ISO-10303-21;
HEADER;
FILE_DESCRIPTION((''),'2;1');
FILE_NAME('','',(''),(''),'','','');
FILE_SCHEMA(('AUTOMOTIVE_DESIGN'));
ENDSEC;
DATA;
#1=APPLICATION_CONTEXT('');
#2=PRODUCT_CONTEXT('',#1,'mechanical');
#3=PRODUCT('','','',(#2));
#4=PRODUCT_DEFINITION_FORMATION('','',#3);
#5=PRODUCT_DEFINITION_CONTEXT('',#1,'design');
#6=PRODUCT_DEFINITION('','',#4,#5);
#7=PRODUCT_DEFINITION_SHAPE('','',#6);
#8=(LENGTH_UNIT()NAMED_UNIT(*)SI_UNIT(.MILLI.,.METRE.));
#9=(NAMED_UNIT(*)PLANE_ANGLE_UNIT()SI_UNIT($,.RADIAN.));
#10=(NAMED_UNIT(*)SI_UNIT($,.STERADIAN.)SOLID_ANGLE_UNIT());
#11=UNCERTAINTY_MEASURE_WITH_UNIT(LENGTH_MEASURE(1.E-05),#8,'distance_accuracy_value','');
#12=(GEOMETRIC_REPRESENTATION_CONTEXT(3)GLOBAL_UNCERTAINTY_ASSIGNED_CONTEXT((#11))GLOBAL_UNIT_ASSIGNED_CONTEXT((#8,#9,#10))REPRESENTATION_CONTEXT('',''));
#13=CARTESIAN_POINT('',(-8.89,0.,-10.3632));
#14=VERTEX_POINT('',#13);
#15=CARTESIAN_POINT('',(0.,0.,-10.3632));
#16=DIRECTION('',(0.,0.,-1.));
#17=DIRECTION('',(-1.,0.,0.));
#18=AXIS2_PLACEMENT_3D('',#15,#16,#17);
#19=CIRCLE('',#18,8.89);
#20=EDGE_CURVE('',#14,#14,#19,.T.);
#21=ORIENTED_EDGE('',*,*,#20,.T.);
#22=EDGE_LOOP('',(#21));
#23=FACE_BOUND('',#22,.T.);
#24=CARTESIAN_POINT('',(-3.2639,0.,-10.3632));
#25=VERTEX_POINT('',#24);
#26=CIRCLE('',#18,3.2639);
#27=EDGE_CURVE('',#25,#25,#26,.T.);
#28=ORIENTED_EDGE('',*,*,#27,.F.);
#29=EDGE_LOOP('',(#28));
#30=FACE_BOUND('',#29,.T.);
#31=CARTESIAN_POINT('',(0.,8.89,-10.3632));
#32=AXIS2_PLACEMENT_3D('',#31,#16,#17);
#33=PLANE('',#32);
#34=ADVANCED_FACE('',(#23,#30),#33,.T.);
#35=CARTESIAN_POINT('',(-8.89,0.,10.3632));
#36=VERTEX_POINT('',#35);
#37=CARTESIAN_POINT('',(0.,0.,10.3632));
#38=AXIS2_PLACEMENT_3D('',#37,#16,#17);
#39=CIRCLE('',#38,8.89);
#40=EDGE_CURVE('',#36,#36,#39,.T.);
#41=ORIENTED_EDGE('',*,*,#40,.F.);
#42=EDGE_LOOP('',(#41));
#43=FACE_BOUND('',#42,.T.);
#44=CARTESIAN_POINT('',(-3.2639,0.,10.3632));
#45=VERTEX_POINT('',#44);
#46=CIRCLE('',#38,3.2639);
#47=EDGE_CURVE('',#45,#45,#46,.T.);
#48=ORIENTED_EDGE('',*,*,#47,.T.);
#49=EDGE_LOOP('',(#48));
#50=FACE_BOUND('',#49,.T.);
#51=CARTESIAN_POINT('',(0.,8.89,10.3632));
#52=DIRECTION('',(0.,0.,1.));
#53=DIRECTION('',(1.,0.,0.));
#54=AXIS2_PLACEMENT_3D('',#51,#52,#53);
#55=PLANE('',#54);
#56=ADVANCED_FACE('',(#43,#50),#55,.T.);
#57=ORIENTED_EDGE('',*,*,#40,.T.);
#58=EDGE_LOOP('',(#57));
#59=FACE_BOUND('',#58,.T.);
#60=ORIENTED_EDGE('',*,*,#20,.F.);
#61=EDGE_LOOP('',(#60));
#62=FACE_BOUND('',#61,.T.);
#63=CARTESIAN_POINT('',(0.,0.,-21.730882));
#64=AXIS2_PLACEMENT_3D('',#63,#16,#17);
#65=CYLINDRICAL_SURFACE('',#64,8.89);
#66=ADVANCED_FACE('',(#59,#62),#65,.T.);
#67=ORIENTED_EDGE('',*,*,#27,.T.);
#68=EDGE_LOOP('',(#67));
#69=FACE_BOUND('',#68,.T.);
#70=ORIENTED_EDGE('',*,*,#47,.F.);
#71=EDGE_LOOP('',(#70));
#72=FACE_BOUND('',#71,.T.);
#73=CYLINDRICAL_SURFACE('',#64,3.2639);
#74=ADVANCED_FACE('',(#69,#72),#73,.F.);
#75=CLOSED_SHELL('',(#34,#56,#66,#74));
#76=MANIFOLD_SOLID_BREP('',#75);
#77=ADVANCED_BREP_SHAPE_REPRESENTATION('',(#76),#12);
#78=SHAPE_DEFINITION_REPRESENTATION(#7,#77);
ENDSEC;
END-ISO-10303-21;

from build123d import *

# Parameters (mm, degrees)
SKETCH1_W = 20.7264
SKETCH1_H = 5.6261


with BuildPart() as part:
    # Sketch1 → Revolve1 (revolve)
    with BuildSketch(Plane(origin=(0, 0, 0), x_dir=(0, 0, -1), z_dir=(1, 0, 0)), mode=Mode.PRIVATE) as revolve1_sk:
        with Locations((0, 6.07695)):
            Rectangle(SKETCH1_W, SKETCH1_H)
    revolve(revolve1_sk.sketch.rotate(Axis((0, 0, -21.730881676), (0, 0, 1)), 90), axis=Axis((0, 0, -21.730881676), (0, 0, 1)))


solid = part.part
